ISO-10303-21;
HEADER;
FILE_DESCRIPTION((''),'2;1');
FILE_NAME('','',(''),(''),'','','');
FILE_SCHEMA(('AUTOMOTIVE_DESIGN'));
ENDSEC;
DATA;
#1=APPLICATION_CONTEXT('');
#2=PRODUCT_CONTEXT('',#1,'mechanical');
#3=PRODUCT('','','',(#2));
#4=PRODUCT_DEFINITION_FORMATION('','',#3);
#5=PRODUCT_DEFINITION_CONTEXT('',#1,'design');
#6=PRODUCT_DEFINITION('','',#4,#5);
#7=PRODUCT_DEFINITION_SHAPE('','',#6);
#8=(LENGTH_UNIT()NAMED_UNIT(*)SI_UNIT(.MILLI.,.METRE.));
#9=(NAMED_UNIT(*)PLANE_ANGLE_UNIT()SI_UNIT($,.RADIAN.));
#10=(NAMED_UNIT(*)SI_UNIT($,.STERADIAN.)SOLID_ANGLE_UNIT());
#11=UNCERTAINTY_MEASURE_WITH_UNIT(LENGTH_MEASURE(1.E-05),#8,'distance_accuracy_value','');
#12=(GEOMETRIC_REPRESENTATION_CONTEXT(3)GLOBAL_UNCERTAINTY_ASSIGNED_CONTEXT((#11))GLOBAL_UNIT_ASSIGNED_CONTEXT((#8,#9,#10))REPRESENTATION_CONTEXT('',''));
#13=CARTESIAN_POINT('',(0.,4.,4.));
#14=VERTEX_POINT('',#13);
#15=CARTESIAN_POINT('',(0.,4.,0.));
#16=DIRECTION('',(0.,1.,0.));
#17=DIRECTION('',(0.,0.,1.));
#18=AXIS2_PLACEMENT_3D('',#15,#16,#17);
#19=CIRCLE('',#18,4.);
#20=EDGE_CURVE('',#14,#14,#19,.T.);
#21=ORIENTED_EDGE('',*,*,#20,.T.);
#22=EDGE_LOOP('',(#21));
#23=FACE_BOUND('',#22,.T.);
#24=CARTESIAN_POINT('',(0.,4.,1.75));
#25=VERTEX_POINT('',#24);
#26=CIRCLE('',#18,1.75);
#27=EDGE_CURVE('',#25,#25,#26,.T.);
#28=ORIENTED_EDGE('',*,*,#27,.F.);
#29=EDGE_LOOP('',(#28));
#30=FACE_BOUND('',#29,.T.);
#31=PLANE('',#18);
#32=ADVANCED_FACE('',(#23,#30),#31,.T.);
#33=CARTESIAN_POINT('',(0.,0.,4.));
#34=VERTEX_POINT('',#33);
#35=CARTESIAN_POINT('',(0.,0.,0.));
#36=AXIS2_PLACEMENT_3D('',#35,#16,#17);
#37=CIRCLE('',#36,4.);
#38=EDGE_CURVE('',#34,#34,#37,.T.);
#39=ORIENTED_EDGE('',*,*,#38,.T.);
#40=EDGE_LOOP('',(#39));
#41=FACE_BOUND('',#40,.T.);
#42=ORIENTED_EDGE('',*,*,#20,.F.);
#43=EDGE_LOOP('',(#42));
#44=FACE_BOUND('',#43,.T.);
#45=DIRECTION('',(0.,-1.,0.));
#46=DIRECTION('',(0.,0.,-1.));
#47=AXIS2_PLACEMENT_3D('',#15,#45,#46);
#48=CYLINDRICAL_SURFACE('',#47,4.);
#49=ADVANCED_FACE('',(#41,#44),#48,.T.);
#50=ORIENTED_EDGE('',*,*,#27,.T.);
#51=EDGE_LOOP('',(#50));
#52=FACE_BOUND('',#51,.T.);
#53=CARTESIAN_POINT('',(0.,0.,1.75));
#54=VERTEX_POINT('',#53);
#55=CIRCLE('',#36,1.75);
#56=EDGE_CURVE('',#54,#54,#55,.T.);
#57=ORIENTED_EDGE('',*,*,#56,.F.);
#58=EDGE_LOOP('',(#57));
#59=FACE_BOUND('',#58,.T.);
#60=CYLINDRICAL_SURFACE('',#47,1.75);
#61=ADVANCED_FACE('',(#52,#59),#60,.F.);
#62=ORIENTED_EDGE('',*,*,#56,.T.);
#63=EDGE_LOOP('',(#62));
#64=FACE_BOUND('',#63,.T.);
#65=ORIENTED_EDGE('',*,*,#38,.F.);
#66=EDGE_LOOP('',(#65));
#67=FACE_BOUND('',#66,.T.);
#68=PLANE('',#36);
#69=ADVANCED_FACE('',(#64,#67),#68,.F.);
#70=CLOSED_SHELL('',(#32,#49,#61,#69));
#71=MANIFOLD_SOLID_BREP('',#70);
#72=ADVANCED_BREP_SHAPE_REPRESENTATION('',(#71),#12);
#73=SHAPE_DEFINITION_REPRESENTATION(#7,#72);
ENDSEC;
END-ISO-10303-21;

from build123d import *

# Parameters (mm, degrees)
SKETCH_1_R      = 4
SKETCH_1_R_2    = 1.75
EXTRUDE_1_DEPTH = 4


with BuildPart() as part:
    # Эскиз1 → Бобышка-Вытянуть1 (new body)
    with BuildSketch(Plane(origin=(0, 0, 0), x_dir=(1, 0, 0), z_dir=(0, 1, 0))):
        Circle(SKETCH_1_R)
        Circle(SKETCH_1_R_2, mode=Mode.SUBTRACT)
    extrude(amount=EXTRUDE_1_DEPTH)


solid = part.part
